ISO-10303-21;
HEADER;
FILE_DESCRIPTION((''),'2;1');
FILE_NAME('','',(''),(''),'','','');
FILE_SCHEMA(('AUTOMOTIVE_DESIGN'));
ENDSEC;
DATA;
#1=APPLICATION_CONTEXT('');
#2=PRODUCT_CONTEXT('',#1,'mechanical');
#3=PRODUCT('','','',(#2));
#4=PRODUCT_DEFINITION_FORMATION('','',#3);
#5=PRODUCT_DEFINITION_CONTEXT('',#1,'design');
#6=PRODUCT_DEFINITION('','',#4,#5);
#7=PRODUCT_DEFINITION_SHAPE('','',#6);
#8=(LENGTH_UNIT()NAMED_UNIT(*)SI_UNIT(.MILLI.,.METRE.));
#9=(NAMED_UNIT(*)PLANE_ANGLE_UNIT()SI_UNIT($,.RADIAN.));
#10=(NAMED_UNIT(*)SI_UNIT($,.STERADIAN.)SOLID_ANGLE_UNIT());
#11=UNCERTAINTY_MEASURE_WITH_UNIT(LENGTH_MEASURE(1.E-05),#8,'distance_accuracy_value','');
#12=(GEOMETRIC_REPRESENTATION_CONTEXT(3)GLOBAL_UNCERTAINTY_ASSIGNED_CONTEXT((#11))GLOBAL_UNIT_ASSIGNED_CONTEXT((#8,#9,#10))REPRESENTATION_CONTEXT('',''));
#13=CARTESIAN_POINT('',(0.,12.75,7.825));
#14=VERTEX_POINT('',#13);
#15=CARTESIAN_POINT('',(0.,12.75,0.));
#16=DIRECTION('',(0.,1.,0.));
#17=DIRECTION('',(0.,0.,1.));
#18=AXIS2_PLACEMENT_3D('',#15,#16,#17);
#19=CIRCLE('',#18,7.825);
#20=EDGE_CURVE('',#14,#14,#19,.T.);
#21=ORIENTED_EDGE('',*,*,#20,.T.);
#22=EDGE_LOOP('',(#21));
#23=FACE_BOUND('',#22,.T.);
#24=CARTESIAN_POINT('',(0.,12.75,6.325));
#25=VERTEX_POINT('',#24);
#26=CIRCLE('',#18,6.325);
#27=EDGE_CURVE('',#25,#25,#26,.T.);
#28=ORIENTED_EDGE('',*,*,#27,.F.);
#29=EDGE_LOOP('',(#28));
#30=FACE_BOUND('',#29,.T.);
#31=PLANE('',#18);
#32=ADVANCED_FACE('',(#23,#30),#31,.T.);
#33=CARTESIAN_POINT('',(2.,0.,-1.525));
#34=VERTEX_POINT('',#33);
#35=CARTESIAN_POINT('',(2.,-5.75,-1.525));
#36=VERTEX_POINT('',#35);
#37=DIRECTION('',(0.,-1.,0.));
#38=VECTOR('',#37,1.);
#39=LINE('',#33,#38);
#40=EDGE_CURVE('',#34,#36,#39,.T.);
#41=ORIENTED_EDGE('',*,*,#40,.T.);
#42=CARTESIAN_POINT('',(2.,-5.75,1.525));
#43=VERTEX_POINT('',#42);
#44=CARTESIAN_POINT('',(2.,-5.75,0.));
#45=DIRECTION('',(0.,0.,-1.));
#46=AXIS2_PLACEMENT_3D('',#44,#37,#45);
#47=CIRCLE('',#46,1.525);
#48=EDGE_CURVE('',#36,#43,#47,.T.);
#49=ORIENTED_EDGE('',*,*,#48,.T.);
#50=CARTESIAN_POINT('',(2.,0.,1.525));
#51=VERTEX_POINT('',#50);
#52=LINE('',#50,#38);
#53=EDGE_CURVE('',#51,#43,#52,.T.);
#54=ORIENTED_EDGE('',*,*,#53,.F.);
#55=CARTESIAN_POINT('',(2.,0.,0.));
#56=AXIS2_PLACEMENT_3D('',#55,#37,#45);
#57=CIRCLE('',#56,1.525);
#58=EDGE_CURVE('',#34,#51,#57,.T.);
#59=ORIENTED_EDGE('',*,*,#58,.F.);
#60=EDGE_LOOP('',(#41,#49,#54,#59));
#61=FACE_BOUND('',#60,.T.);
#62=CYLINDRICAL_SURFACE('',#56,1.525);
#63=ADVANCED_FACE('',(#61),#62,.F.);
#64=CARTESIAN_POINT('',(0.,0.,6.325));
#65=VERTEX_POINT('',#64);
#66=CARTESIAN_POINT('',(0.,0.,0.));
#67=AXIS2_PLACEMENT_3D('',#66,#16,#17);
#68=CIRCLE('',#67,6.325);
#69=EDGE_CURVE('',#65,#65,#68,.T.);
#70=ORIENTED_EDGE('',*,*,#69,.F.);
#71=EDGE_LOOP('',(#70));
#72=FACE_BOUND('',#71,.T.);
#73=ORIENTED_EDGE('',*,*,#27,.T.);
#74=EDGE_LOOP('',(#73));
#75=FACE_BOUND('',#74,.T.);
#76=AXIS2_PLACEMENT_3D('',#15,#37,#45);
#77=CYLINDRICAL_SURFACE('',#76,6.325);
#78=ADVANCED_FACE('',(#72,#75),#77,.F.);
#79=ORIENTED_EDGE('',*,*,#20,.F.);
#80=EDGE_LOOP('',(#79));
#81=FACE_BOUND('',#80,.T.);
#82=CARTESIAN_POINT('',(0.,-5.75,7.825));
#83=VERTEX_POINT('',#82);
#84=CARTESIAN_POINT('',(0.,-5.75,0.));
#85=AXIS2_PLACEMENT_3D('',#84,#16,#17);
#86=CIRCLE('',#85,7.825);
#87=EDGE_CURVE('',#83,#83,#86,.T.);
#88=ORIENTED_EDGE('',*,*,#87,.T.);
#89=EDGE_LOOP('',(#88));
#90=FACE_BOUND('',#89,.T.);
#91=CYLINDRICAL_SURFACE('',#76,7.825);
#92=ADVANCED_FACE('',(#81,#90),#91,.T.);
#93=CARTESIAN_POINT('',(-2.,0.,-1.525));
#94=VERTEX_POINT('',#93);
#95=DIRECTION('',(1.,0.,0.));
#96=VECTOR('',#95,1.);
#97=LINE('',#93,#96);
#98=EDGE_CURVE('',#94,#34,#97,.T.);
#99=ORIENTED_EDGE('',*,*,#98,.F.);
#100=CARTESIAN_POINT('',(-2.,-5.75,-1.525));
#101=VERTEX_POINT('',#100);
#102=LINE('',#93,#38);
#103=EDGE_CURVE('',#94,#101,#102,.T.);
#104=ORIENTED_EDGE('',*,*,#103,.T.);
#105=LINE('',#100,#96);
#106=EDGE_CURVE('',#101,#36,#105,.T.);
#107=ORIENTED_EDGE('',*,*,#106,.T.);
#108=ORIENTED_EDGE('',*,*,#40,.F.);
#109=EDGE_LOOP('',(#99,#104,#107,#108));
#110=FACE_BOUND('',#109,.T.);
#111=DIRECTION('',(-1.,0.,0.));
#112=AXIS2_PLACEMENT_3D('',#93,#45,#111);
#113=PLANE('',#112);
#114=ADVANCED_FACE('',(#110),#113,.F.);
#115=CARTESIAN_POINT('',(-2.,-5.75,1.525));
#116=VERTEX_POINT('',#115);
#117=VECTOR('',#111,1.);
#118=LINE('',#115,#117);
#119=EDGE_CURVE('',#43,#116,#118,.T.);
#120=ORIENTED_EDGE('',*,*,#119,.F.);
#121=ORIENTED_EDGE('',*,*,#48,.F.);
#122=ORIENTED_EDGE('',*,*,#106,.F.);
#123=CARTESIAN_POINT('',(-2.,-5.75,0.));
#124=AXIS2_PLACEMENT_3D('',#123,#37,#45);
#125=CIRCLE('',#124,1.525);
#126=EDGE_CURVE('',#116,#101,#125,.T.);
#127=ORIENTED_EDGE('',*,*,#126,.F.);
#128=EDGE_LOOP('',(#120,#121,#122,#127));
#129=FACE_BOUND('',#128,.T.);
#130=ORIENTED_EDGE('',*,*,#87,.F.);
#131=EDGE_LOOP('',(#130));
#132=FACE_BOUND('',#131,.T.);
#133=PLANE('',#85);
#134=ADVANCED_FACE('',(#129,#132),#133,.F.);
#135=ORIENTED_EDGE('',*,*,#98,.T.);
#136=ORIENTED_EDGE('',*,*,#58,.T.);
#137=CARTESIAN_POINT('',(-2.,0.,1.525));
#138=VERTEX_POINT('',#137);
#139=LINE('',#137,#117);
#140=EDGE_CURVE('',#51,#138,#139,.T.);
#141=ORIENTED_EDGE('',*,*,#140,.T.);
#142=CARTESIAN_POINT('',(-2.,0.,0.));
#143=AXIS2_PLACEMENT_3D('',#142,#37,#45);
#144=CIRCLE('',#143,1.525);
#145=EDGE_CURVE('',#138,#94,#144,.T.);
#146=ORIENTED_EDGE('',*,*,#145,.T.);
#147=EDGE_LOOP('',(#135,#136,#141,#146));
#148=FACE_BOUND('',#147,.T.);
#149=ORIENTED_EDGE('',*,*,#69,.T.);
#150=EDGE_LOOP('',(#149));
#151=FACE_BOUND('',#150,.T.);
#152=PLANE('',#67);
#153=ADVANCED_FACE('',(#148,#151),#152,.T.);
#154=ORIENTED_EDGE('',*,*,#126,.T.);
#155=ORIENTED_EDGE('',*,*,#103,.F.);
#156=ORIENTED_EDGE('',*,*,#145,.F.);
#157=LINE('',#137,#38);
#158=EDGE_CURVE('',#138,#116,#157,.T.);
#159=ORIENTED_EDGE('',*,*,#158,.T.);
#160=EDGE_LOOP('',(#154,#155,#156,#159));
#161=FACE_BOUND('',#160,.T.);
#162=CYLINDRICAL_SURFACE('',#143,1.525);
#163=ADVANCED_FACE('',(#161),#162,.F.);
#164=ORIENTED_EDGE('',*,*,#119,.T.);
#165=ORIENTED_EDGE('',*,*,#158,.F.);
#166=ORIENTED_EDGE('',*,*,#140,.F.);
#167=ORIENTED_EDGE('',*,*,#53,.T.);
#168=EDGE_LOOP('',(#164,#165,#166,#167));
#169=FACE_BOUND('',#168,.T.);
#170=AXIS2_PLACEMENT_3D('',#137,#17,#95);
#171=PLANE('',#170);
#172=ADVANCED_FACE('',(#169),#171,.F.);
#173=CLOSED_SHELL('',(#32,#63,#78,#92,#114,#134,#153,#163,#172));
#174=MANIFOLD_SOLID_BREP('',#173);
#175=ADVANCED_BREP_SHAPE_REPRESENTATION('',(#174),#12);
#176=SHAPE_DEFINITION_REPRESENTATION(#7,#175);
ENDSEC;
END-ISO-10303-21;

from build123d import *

# Parameters (mm, degrees)
SKETCH1_R           = 7.825
SKETCH1_R_2         = 6.325
BOSS_EXTRUDE1_DEPTH = 12.75
BOSS_EXTRUDE2_START = -5.75
SKETCH1_2_R         = 7.825
BOSS_EXTRUDE2_DEPTH = 5.75
CUT_EXTRUDE1_DEPTH  = 5.75


with BuildPart() as part:
    # Sketch1 → Boss-Extrude1 (new body)
    with BuildSketch(Plane(origin=(0, 0, 0), x_dir=(1, 0, 0), z_dir=(0, 1, 0))):
        Circle(SKETCH1_R)
        Circle(SKETCH1_R_2, mode=Mode.SUBTRACT)
    extrude(amount=BOSS_EXTRUDE1_DEPTH)

    # Sketch1<2> → Boss-Extrude2 (add)
    with BuildSketch(Plane(origin=(0, 0, 0), x_dir=(1, 0, 0), z_dir=(0, 1, 0)).offset(BOSS_EXTRUDE2_START)):
        Circle(SKETCH1_2_R)
    extrude(amount=BOSS_EXTRUDE2_DEPTH)

    # Sketch2 → Cut-Extrude1 (cut)
    with BuildSketch(Plane.XZ.offset(5.75)):
        with BuildLine():
            Line((-2, 1.525), (2, 1.525))
            ThreePointArc((2, 1.525), (3.525, 0), (2, -1.525))
            Line((2, -1.525), (-2, -1.525))
            ThreePointArc((-2, -1.525), (-3.525, 0), (-2, 1.525))
        make_face()
    extrude(amount=-CUT_EXTRUDE1_DEPTH, mode=Mode.SUBTRACT)


solid = part.part
